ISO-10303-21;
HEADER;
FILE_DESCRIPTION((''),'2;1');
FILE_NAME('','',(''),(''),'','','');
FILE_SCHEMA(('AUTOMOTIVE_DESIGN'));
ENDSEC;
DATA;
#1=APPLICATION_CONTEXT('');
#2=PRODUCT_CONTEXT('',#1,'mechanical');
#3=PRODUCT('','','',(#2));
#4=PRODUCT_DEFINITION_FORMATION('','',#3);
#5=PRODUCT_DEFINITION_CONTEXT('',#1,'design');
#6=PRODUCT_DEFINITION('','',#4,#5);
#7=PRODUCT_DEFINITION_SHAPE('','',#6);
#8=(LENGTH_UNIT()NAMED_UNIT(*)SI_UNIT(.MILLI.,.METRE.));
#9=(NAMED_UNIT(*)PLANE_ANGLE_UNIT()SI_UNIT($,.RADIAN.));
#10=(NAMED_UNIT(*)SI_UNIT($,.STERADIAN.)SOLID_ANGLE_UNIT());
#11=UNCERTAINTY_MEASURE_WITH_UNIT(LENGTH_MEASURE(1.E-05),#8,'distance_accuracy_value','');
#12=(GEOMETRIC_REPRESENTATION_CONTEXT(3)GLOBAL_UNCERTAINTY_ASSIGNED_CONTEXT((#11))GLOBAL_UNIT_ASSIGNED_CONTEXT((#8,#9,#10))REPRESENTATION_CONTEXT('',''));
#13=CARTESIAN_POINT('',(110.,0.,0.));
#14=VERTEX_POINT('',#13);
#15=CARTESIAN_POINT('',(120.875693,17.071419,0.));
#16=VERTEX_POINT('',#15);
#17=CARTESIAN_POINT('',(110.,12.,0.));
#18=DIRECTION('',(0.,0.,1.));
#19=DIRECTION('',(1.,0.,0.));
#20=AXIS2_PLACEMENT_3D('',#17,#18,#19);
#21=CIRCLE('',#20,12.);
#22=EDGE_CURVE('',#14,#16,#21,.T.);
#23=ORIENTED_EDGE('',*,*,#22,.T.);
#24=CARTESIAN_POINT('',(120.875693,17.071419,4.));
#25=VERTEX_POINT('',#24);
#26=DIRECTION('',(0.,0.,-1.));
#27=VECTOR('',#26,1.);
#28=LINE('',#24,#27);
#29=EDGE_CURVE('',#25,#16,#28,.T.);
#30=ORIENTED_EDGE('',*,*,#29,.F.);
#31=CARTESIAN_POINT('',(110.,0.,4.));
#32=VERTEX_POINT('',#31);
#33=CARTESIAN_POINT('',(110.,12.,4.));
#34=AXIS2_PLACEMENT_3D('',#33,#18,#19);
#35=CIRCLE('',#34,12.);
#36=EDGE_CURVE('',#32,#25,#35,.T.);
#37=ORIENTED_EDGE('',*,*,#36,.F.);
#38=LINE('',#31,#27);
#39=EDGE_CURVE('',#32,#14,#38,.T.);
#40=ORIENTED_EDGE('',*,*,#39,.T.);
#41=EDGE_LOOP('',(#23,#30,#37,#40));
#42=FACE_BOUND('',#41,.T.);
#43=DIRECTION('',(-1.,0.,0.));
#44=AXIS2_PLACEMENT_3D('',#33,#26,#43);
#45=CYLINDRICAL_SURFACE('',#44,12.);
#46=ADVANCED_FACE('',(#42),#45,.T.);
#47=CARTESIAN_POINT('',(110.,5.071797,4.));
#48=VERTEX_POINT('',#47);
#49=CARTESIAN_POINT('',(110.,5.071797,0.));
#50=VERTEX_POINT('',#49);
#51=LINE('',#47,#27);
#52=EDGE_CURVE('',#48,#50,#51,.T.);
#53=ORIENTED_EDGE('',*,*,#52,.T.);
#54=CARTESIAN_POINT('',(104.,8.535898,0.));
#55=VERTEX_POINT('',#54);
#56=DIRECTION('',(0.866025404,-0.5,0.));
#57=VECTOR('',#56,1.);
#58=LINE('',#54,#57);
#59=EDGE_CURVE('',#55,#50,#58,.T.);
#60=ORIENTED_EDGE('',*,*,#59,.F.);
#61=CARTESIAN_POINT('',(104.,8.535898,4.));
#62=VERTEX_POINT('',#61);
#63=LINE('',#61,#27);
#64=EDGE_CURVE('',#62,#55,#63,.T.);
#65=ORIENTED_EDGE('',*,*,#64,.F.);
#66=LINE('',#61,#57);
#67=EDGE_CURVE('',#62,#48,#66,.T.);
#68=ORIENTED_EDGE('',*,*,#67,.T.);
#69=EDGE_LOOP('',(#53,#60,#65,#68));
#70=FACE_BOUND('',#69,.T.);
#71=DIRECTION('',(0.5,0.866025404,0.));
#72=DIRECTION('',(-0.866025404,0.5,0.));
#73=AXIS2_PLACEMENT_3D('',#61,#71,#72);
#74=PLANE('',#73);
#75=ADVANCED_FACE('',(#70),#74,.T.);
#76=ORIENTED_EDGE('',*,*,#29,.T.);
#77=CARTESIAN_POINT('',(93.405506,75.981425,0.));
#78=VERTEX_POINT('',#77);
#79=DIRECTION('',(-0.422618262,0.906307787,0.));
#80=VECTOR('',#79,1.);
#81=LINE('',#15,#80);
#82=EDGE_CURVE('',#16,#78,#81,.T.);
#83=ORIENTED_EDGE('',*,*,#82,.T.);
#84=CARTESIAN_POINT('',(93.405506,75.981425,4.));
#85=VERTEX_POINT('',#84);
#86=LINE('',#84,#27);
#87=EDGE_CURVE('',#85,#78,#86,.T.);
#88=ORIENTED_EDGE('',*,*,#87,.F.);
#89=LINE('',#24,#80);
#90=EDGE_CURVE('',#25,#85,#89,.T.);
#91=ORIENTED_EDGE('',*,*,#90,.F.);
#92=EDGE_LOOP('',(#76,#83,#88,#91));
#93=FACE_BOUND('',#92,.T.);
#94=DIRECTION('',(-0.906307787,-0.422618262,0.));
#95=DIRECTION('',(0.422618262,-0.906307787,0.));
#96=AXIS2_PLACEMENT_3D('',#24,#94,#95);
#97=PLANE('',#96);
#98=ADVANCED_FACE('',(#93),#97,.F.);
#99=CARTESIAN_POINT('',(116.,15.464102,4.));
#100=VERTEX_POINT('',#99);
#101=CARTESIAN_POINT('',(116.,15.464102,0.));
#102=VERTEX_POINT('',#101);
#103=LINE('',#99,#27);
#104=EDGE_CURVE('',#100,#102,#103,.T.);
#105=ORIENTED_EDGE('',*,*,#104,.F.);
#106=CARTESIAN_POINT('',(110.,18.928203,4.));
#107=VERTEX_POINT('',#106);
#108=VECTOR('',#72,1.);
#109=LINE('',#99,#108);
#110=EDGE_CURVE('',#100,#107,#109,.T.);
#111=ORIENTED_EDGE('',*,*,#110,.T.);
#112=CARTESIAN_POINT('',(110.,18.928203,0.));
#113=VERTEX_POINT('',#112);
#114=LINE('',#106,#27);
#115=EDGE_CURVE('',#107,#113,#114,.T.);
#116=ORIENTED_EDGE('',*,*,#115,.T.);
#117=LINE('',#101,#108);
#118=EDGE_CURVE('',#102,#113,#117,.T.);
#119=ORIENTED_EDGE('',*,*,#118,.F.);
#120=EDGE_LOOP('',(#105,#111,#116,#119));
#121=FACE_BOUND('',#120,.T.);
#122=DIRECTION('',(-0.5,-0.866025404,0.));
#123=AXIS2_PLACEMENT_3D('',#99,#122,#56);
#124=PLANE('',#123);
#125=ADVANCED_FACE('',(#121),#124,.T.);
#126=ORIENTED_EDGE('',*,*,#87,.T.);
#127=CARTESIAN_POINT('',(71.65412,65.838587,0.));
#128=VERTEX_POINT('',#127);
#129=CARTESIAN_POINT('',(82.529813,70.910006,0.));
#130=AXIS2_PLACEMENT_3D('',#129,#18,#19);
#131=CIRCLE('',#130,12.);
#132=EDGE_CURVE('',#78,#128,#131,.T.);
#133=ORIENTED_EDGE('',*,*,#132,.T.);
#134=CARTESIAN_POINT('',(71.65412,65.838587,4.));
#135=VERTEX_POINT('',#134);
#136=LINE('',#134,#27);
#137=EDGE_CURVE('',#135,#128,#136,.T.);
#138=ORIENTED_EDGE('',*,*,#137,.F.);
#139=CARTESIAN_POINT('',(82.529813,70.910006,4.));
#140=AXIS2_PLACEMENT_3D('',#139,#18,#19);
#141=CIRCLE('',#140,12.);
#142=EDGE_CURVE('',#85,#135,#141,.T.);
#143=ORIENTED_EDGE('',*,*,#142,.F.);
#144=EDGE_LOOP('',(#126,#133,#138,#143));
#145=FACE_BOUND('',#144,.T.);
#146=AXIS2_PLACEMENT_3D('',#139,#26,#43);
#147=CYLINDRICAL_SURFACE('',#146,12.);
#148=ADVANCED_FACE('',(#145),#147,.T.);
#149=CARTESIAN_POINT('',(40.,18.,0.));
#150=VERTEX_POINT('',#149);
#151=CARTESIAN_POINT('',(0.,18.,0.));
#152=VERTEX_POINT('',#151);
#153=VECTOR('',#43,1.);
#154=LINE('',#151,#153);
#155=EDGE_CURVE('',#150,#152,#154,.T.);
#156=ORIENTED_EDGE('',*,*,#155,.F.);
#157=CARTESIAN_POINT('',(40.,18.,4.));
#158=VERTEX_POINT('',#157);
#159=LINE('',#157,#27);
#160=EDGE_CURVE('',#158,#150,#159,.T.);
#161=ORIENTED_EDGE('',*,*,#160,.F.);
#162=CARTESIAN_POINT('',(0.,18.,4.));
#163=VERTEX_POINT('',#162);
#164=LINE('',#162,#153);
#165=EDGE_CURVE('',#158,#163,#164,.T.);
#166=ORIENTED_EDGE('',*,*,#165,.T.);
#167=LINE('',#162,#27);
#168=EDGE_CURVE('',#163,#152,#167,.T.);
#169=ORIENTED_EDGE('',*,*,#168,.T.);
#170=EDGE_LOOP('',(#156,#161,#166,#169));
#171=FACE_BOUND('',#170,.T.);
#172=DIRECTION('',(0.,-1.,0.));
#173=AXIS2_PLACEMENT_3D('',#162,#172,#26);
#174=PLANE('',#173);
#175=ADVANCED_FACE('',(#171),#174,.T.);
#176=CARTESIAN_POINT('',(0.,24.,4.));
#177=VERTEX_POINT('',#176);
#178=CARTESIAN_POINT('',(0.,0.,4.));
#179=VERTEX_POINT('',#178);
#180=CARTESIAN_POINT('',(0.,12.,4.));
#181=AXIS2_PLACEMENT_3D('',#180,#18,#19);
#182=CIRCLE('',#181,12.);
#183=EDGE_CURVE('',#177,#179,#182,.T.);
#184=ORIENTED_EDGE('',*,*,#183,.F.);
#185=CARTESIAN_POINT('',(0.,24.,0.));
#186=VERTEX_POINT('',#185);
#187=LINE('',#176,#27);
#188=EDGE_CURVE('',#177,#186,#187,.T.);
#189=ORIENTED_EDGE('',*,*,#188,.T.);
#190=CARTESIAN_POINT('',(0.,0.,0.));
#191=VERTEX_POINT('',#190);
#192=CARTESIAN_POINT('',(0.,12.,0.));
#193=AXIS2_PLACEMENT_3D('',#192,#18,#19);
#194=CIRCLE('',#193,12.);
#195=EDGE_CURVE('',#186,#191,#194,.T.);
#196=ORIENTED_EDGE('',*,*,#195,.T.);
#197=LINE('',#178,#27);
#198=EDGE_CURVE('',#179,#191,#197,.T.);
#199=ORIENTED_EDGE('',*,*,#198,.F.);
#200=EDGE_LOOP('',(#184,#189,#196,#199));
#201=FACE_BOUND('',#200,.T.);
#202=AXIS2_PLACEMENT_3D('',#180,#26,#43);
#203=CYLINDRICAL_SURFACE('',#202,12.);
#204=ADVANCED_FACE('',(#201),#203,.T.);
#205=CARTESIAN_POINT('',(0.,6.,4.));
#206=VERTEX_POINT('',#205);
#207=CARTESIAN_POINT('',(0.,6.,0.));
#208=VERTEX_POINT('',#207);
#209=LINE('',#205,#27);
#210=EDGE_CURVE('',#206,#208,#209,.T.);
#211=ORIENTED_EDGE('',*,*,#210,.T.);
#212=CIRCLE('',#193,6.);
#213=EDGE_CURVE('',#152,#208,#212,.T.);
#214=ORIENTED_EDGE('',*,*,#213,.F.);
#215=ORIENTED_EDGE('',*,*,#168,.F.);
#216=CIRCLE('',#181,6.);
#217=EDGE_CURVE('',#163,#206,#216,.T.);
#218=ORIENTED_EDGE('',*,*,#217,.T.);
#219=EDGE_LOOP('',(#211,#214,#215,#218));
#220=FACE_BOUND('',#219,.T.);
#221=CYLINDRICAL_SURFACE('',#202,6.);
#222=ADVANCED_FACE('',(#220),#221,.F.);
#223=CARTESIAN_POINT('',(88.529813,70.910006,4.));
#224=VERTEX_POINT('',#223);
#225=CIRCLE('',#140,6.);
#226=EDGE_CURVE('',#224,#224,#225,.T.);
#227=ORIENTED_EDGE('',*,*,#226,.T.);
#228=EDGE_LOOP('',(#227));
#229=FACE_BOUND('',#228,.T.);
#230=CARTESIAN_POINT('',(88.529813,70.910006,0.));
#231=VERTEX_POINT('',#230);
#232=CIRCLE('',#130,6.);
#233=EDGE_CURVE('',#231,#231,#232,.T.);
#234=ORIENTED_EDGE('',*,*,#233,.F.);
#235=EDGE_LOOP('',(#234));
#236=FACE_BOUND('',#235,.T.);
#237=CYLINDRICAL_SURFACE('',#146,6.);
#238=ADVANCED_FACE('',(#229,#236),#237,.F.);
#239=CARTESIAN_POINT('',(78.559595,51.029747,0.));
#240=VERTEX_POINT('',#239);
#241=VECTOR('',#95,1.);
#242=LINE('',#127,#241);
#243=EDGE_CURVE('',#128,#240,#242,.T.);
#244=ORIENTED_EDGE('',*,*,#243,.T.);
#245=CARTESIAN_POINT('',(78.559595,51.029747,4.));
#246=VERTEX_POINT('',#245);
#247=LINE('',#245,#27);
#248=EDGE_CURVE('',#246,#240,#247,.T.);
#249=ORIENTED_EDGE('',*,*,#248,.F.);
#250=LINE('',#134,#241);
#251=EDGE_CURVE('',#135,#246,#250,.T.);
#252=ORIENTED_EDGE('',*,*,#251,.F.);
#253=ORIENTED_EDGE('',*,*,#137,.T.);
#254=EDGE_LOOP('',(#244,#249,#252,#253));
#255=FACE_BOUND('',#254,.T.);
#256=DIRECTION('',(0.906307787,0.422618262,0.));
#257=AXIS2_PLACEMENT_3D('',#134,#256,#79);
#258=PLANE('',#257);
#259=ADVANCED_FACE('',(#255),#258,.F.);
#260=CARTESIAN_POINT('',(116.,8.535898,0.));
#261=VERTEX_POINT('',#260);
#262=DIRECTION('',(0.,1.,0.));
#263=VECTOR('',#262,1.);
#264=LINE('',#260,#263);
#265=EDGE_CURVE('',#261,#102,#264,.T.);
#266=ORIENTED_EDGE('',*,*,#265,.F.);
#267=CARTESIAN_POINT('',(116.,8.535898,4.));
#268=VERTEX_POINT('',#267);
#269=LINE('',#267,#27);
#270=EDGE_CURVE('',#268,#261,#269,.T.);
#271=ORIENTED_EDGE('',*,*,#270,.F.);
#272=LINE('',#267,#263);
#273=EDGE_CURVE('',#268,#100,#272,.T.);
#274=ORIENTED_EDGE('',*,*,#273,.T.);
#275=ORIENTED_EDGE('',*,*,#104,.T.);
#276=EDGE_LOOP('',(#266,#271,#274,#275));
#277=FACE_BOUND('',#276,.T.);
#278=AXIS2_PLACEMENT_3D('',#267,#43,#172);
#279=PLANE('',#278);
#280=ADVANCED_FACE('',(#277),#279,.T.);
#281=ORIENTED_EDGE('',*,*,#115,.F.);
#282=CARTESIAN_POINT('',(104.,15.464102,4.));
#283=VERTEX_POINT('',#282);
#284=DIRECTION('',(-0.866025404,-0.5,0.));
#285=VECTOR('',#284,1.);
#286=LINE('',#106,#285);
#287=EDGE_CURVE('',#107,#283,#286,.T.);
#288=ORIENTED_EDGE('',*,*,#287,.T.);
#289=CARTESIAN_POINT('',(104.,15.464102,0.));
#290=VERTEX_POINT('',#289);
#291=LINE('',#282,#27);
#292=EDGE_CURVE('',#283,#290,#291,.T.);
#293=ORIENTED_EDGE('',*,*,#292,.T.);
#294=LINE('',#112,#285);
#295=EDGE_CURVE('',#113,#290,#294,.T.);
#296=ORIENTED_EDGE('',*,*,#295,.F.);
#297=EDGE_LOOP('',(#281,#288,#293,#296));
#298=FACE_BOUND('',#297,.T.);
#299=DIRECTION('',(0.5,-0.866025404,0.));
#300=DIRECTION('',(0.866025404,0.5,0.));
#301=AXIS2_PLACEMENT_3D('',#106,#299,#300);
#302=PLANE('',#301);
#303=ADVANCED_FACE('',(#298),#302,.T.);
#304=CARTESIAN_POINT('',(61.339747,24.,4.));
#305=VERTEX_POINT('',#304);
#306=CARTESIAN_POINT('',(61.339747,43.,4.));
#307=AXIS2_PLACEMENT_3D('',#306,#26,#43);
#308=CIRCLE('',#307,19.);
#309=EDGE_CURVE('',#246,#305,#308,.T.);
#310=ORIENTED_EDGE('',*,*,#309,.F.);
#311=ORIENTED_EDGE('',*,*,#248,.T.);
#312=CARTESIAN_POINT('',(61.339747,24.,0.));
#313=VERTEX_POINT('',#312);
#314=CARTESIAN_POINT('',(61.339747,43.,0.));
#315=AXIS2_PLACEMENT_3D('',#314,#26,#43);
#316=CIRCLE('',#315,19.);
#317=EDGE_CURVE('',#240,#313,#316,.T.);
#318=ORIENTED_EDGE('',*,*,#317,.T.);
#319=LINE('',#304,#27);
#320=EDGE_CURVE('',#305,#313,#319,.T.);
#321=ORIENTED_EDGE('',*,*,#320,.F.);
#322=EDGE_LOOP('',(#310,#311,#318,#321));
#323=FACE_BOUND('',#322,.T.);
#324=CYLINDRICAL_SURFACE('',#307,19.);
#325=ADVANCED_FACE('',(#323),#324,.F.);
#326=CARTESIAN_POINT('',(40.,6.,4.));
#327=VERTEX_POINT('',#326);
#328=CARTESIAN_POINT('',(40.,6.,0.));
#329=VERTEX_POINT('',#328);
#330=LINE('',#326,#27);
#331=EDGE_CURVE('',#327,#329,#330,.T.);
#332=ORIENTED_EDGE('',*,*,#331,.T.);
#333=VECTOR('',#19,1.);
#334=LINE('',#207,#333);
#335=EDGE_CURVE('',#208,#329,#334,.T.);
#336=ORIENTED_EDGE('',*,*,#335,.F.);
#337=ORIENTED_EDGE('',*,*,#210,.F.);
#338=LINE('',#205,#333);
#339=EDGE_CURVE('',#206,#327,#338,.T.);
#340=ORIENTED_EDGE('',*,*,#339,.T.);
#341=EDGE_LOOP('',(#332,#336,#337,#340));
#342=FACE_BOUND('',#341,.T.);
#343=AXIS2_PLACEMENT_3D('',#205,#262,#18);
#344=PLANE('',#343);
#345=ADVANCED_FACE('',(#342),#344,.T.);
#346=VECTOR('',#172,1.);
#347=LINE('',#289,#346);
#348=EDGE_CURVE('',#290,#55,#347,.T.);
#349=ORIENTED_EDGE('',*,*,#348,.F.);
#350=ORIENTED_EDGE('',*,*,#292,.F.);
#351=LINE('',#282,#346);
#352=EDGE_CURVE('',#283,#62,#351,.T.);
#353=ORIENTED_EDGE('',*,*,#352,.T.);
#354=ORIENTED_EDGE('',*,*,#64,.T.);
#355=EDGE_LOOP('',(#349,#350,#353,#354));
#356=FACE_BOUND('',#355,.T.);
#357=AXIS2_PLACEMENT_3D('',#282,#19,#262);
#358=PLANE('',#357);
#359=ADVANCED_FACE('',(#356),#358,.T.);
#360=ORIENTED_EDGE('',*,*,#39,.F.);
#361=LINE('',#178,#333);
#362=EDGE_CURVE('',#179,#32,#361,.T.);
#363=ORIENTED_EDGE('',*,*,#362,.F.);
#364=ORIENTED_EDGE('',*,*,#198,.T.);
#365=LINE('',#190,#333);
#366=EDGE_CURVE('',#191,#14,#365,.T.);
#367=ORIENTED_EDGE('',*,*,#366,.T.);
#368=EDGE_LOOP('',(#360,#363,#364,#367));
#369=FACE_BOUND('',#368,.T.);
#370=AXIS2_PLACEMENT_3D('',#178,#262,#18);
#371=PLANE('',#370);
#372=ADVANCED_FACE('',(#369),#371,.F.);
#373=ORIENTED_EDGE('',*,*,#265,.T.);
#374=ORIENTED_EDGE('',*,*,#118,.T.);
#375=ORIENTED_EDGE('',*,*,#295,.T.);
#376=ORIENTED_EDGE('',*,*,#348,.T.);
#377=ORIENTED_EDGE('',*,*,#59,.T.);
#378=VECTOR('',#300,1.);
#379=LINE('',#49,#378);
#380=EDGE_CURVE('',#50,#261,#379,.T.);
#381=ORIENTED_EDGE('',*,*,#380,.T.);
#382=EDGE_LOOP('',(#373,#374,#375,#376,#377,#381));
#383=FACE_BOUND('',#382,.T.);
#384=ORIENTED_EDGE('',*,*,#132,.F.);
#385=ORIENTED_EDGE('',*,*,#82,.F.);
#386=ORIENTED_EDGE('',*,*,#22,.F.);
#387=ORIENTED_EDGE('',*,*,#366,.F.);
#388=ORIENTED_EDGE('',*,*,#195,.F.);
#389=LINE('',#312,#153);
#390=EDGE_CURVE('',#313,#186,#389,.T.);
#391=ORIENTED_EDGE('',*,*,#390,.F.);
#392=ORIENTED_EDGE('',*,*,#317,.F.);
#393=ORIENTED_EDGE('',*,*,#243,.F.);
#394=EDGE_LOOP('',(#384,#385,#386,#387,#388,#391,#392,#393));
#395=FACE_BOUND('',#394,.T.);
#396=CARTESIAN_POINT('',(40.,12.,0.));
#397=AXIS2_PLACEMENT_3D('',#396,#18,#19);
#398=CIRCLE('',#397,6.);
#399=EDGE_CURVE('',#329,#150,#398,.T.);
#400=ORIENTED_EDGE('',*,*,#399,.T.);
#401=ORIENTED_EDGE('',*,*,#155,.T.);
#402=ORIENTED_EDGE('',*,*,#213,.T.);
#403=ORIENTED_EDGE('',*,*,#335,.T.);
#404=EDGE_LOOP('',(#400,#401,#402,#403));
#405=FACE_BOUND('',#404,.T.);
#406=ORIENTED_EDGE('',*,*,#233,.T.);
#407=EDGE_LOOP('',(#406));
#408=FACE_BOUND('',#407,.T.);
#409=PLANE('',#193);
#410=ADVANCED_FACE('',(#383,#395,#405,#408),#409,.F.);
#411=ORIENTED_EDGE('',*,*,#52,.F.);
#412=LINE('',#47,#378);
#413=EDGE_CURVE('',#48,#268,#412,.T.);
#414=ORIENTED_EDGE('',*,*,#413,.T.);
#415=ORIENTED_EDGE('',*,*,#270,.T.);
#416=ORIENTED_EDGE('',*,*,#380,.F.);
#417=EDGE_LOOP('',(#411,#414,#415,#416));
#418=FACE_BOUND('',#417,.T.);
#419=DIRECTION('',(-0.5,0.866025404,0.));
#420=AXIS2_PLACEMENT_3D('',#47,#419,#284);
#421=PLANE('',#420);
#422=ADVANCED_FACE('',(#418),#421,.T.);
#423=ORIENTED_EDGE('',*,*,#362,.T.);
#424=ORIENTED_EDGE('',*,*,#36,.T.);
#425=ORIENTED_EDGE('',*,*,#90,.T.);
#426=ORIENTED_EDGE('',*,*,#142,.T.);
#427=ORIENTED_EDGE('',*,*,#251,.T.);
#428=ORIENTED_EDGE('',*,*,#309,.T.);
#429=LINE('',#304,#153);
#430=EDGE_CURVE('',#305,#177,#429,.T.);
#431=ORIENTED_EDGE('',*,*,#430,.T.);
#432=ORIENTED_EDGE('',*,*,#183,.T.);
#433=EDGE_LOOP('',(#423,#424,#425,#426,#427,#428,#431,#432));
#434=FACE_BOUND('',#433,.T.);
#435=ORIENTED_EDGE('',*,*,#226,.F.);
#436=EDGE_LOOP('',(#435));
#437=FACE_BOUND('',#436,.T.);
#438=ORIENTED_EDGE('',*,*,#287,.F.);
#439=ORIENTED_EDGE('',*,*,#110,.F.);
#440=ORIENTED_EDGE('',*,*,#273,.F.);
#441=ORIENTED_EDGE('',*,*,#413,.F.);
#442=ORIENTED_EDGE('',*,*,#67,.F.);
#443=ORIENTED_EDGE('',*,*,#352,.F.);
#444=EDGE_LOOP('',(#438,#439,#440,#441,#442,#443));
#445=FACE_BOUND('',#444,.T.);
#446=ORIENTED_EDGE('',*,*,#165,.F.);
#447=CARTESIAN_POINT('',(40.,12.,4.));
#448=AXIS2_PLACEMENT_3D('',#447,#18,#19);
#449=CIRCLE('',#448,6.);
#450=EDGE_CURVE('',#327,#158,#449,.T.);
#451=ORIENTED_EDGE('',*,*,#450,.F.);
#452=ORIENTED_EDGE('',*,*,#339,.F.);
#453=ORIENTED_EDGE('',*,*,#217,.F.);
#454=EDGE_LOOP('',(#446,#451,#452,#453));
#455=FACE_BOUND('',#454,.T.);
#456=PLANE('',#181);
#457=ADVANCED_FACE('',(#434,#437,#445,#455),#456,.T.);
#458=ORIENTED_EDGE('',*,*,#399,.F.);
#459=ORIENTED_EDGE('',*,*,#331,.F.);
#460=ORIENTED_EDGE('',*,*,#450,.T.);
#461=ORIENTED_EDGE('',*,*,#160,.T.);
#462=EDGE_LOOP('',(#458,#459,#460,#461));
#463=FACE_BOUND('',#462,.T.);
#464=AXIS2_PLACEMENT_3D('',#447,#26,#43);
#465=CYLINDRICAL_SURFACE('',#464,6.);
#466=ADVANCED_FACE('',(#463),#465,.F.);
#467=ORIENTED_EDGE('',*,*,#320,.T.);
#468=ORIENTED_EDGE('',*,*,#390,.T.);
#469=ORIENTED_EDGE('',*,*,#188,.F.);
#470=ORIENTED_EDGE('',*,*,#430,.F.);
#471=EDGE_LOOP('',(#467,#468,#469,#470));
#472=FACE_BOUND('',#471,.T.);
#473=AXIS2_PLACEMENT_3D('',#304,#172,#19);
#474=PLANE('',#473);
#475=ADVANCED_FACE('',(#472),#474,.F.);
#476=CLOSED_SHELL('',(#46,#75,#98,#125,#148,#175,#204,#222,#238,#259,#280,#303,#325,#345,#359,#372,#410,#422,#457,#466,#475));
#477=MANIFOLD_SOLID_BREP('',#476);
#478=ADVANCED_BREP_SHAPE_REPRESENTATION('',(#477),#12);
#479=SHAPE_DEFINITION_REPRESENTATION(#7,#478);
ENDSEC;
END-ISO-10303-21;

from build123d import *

# Parameters (mm, degrees)
SKETCH1_R           = 6
BOSS_EXTRUDE1_DEPTH = 4


with BuildPart() as part:
    # Sketch1 → Boss-Extrude1 (new body)
    with BuildSketch(Plane.XY):
        with BuildLine():
            Line((0, 0), (110, 0))
            ThreePointArc((110, 0), (120.12069735, 5.5524047), (120.875693444, 17.071419141))
            Line((120.875693444, 17.071419141), (93.405506431, 75.981425298))
            ThreePointArc((93.405506431, 75.981425298), (77.458393846, 81.785699602), (71.654119542, 65.838587016))
            Line((71.654119542, 65.838587016), (78.559595063, 51.029746973))
            ThreePointArc((78.559595063, 51.029746973), (77.36418458, 32.791307441), (61.339747109, 24))
            Line((61.339747109, 24), (0, 24))
            ThreePointArc((0, 24), (-12, 12), (0, 0))
        make_face()
        with Locations((82.529812987, 70.910006157)):
            Circle(SKETCH1_R, mode=Mode.SUBTRACT)
        with BuildLine():
            Line((0, 18), (40, 18))
            ThreePointArc((40, 18), (46, 12), (40, 6))
            Line((40, 6), (0, 6))
            ThreePointArc((0, 6), (-6, 12), (0, 18))
        make_face(mode=Mode.SUBTRACT)
        Polygon((110, 18.92820323), (104, 15.464101615), (104, 8.535898385), (110, 5.07179677), (116, 8.535898385), (116, 15.464101615), align=None, mode=Mode.SUBTRACT)
    extrude(amount=BOSS_EXTRUDE1_DEPTH)


solid = part.part
